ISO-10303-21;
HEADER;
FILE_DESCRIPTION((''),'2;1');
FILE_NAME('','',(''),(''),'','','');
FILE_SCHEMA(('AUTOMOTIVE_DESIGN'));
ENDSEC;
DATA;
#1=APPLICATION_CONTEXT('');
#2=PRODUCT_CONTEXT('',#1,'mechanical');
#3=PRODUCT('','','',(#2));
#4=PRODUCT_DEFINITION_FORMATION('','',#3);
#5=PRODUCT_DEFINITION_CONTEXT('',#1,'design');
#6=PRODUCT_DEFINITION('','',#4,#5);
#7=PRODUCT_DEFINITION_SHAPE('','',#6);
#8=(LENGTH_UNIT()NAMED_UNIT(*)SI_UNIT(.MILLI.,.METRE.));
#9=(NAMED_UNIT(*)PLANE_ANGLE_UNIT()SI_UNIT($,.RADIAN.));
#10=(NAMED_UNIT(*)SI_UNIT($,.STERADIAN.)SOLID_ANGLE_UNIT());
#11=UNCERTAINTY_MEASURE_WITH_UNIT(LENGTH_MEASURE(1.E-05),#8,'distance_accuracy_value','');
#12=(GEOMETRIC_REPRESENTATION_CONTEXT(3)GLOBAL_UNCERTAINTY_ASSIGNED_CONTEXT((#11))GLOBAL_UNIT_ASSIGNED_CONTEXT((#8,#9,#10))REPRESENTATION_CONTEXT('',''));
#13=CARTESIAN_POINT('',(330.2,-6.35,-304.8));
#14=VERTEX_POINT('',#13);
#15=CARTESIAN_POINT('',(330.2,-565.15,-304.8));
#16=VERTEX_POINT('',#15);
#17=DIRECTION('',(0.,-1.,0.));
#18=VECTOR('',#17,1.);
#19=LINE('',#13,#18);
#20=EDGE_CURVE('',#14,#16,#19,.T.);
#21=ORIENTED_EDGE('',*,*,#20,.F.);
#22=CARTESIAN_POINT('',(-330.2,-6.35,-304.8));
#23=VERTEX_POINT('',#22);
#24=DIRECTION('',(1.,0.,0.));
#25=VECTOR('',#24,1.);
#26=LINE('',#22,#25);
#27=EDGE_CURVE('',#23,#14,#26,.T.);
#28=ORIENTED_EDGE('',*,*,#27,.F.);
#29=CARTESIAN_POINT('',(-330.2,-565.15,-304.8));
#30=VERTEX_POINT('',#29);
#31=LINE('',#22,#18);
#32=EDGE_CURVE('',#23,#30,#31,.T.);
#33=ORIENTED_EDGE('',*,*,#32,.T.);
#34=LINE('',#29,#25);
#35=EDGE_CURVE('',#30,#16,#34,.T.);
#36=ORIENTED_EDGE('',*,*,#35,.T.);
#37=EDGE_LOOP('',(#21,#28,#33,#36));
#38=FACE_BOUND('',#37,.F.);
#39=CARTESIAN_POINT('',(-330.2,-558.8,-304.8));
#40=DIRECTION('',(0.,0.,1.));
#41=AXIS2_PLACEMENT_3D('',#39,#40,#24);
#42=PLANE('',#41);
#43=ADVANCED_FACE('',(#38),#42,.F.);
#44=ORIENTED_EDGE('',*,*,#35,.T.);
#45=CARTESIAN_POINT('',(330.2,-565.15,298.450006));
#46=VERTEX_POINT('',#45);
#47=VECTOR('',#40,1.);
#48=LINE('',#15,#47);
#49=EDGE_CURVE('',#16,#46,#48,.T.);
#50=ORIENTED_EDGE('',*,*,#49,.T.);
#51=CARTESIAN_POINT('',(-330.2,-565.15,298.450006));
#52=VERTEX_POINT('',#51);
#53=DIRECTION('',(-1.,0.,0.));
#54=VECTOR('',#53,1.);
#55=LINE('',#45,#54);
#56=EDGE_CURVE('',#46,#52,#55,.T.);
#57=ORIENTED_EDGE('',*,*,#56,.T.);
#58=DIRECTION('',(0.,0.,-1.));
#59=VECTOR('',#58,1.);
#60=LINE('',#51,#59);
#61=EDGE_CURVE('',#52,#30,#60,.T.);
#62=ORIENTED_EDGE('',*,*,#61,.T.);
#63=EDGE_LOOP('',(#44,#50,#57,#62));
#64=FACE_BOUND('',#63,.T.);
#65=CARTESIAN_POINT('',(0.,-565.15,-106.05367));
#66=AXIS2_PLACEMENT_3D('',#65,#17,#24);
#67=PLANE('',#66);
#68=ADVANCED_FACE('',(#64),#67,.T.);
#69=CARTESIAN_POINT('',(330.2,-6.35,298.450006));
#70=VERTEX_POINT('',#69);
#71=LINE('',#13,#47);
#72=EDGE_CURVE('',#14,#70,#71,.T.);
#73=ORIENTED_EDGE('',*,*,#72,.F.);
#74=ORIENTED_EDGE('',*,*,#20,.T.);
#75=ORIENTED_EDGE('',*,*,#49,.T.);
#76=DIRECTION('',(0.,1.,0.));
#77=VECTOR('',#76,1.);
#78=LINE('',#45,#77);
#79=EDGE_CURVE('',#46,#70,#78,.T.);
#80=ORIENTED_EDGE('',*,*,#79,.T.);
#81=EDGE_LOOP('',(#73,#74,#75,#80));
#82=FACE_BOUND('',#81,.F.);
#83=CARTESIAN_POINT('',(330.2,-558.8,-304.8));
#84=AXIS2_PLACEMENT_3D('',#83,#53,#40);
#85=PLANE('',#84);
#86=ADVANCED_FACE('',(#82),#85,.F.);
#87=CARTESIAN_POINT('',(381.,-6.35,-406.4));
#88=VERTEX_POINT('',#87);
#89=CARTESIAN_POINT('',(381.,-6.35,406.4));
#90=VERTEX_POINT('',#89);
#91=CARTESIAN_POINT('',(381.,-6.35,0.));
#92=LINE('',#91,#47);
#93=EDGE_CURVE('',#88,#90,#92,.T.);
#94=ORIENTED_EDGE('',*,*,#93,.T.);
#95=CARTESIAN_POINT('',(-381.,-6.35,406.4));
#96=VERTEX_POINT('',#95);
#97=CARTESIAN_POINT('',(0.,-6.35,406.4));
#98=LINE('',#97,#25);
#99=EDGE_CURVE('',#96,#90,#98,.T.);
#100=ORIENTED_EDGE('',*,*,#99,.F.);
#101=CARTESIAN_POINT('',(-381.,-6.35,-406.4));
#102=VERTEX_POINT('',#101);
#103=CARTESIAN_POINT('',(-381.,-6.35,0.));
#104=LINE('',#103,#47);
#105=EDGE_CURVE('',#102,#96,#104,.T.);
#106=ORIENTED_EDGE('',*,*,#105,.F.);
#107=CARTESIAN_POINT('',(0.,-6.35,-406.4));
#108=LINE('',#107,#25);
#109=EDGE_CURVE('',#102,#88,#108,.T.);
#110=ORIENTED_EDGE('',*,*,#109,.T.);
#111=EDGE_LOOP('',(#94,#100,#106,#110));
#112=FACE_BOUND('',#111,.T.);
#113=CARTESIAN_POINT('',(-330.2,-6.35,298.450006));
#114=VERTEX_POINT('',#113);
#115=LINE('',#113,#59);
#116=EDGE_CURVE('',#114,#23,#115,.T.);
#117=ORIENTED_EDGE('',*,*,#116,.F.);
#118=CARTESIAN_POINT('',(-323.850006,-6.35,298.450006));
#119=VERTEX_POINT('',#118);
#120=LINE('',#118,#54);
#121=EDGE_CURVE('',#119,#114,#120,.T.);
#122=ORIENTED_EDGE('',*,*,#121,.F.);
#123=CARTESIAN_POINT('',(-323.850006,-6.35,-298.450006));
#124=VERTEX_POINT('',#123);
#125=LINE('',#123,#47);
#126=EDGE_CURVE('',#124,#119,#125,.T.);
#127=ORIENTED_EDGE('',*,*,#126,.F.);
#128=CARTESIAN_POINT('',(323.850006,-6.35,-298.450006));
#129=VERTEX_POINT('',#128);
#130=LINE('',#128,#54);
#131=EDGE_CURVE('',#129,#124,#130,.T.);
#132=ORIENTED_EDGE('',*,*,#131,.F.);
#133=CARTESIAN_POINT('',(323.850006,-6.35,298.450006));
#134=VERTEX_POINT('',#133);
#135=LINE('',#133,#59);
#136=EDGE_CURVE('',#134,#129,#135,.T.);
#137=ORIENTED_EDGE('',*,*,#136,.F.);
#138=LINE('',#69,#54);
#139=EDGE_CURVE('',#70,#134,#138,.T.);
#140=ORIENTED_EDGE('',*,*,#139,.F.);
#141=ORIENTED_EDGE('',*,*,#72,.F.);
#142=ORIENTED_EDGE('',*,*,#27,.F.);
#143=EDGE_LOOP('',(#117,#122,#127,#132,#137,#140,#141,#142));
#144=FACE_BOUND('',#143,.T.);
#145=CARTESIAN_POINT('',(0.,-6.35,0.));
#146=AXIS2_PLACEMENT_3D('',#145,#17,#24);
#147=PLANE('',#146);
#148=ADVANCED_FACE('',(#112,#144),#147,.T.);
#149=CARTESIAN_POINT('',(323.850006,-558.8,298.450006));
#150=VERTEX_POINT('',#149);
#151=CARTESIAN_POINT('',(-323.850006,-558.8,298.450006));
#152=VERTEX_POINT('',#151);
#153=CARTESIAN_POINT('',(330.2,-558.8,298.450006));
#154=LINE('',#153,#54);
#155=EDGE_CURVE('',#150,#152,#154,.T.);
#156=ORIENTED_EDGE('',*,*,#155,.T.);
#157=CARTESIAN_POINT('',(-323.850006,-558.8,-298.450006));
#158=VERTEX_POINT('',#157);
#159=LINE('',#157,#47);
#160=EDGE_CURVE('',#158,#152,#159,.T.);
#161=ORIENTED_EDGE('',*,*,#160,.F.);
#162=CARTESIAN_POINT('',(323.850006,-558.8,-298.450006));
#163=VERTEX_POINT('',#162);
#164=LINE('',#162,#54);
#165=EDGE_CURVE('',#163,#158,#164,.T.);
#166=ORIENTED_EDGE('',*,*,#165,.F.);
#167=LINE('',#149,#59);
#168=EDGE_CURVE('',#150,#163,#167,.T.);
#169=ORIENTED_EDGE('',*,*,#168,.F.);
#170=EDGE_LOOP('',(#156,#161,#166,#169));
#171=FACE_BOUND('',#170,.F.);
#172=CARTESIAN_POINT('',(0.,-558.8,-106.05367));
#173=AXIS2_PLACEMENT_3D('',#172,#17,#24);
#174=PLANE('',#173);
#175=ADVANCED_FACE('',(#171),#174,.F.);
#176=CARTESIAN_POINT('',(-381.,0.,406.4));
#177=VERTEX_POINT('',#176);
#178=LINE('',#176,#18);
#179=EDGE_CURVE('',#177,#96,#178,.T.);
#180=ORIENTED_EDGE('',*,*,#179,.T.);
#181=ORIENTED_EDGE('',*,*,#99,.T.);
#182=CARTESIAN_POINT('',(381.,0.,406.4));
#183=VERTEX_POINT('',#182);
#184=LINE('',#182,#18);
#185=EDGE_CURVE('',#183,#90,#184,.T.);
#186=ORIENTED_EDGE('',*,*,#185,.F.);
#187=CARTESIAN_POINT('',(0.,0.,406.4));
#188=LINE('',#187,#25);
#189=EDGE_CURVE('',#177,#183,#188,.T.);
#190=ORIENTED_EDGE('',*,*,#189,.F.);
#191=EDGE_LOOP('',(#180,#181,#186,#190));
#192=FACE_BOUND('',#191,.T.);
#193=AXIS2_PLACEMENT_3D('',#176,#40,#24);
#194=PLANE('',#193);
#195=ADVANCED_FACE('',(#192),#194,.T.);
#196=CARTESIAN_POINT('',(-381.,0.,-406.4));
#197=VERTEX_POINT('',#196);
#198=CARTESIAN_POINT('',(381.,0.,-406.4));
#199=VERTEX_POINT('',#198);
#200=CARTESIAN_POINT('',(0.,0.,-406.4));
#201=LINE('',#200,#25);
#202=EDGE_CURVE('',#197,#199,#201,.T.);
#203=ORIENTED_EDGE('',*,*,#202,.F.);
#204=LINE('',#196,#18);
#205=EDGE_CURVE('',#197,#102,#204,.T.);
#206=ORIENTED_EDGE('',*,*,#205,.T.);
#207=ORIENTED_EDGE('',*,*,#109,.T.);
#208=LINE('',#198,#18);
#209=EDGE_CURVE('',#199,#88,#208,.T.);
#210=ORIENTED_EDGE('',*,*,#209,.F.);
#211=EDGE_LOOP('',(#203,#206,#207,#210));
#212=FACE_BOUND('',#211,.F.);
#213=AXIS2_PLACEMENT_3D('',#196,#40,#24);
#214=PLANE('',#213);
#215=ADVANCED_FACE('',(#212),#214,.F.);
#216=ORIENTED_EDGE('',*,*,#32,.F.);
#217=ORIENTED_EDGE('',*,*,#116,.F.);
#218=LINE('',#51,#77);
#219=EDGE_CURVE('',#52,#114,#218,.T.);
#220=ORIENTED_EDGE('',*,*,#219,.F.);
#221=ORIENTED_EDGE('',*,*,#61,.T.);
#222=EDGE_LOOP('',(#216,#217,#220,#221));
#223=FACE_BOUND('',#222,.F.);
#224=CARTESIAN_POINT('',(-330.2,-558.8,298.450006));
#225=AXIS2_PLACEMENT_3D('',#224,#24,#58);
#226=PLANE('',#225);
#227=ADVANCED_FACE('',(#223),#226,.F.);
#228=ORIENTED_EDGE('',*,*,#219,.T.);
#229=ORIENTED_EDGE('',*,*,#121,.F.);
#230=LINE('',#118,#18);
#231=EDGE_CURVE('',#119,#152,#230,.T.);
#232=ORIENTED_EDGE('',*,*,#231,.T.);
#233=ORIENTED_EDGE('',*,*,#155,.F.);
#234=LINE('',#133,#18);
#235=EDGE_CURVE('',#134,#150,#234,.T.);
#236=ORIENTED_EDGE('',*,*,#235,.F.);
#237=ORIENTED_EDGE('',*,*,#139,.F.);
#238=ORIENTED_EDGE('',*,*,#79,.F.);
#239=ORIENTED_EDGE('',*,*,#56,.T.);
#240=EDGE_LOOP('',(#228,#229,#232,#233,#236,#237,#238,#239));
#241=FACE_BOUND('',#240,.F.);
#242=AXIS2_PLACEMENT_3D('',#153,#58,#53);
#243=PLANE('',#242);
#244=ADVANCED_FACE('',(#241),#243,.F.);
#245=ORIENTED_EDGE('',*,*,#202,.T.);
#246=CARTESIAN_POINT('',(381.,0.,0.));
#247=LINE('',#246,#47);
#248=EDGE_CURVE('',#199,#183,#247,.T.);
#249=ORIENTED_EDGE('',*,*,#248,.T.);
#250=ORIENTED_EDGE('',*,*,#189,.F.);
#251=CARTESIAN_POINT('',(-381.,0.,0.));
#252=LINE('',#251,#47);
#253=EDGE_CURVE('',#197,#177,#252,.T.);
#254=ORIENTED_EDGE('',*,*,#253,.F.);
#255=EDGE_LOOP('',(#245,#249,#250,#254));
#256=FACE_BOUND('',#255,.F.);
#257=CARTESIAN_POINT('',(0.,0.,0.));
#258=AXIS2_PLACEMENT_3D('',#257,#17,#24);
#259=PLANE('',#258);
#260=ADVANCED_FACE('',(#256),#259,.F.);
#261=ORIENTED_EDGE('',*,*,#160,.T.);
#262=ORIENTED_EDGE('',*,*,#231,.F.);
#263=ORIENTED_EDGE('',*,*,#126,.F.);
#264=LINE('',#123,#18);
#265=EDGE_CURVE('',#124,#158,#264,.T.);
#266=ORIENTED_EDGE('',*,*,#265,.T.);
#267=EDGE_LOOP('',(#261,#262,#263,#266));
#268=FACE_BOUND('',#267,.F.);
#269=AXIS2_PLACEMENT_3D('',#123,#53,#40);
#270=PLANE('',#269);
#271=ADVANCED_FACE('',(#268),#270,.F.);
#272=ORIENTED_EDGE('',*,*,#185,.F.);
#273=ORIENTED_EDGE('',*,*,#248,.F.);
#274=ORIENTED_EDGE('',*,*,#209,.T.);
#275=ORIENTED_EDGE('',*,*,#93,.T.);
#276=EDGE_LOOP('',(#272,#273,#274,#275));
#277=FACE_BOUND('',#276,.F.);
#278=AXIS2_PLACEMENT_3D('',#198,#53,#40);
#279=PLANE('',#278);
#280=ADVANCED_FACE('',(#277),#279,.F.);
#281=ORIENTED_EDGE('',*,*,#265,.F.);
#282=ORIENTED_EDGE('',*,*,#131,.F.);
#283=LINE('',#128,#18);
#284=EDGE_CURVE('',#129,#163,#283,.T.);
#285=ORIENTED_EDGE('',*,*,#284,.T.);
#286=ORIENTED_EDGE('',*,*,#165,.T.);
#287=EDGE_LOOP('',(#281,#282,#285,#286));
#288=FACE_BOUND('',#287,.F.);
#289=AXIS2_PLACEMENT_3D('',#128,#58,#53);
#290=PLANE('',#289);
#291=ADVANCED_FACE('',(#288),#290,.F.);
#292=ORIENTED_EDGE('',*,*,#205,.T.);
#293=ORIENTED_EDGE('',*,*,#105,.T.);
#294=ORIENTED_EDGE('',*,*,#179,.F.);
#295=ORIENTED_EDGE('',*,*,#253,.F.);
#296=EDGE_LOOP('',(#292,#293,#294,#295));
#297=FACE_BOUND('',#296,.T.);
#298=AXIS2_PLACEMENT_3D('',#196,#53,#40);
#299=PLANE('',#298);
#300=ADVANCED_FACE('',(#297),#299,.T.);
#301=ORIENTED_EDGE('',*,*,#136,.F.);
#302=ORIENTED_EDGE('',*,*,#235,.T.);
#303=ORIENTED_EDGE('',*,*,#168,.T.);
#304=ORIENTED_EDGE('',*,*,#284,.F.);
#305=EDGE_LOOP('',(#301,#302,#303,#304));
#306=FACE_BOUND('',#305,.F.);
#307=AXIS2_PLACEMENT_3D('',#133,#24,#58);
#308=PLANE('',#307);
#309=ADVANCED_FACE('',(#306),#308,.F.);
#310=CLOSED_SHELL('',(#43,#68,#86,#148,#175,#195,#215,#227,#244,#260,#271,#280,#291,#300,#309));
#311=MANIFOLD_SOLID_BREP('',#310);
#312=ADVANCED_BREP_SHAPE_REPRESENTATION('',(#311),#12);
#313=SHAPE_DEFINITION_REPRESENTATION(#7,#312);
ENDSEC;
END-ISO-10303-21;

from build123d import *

# Parameters (mm, degrees)
F0_W     = 762
F0_H     = 812.8
F1_DEPTH = 6.35
F3_DEPTH = 552.45
F4_W     = 647.7000117302
F4_H     = 596.9000117302
F5_DEPTH = 6.35


with BuildPart() as f1:
    # F0 (on Front) → F1 (new body)
    with BuildSketch(Plane.XZ):
        Rectangle(F0_W, F0_H)
    extrude(amount=F1_DEPTH)

    # F2 (on face) → F3 (join)
    with BuildSketch(Plane.XZ.offset(6.35)):
        Polygon((-330.2, -304.8), (330.2, -304.8), (330.2, 298.4500058651), (323.8500058651, 298.4500058651), (323.8500058651, -298.4500058651), (-323.8500058651, -298.4500058651), (-323.8500058651, 298.4500058651), (-330.2, 298.4500058651), align=None)
    extrude(amount=F3_DEPTH)

    # F4 (on face) → F5 (join)
    with BuildSketch(Plane.XZ.offset(558.8)):
        Polygon((-330.2, 298.4500058651), (-330.2, -304.8), (330.2, -304.8), (330.2, 298.4500058651), (323.8500058651, 298.4500058651), (323.8500058651, -298.4500058651), (-323.8500058651, -298.4500058651), (-323.8500058651, 298.4500058651), align=None)
        Rectangle(F4_W, F4_H)
    extrude(amount=F5_DEPTH)


solid = f1.part
